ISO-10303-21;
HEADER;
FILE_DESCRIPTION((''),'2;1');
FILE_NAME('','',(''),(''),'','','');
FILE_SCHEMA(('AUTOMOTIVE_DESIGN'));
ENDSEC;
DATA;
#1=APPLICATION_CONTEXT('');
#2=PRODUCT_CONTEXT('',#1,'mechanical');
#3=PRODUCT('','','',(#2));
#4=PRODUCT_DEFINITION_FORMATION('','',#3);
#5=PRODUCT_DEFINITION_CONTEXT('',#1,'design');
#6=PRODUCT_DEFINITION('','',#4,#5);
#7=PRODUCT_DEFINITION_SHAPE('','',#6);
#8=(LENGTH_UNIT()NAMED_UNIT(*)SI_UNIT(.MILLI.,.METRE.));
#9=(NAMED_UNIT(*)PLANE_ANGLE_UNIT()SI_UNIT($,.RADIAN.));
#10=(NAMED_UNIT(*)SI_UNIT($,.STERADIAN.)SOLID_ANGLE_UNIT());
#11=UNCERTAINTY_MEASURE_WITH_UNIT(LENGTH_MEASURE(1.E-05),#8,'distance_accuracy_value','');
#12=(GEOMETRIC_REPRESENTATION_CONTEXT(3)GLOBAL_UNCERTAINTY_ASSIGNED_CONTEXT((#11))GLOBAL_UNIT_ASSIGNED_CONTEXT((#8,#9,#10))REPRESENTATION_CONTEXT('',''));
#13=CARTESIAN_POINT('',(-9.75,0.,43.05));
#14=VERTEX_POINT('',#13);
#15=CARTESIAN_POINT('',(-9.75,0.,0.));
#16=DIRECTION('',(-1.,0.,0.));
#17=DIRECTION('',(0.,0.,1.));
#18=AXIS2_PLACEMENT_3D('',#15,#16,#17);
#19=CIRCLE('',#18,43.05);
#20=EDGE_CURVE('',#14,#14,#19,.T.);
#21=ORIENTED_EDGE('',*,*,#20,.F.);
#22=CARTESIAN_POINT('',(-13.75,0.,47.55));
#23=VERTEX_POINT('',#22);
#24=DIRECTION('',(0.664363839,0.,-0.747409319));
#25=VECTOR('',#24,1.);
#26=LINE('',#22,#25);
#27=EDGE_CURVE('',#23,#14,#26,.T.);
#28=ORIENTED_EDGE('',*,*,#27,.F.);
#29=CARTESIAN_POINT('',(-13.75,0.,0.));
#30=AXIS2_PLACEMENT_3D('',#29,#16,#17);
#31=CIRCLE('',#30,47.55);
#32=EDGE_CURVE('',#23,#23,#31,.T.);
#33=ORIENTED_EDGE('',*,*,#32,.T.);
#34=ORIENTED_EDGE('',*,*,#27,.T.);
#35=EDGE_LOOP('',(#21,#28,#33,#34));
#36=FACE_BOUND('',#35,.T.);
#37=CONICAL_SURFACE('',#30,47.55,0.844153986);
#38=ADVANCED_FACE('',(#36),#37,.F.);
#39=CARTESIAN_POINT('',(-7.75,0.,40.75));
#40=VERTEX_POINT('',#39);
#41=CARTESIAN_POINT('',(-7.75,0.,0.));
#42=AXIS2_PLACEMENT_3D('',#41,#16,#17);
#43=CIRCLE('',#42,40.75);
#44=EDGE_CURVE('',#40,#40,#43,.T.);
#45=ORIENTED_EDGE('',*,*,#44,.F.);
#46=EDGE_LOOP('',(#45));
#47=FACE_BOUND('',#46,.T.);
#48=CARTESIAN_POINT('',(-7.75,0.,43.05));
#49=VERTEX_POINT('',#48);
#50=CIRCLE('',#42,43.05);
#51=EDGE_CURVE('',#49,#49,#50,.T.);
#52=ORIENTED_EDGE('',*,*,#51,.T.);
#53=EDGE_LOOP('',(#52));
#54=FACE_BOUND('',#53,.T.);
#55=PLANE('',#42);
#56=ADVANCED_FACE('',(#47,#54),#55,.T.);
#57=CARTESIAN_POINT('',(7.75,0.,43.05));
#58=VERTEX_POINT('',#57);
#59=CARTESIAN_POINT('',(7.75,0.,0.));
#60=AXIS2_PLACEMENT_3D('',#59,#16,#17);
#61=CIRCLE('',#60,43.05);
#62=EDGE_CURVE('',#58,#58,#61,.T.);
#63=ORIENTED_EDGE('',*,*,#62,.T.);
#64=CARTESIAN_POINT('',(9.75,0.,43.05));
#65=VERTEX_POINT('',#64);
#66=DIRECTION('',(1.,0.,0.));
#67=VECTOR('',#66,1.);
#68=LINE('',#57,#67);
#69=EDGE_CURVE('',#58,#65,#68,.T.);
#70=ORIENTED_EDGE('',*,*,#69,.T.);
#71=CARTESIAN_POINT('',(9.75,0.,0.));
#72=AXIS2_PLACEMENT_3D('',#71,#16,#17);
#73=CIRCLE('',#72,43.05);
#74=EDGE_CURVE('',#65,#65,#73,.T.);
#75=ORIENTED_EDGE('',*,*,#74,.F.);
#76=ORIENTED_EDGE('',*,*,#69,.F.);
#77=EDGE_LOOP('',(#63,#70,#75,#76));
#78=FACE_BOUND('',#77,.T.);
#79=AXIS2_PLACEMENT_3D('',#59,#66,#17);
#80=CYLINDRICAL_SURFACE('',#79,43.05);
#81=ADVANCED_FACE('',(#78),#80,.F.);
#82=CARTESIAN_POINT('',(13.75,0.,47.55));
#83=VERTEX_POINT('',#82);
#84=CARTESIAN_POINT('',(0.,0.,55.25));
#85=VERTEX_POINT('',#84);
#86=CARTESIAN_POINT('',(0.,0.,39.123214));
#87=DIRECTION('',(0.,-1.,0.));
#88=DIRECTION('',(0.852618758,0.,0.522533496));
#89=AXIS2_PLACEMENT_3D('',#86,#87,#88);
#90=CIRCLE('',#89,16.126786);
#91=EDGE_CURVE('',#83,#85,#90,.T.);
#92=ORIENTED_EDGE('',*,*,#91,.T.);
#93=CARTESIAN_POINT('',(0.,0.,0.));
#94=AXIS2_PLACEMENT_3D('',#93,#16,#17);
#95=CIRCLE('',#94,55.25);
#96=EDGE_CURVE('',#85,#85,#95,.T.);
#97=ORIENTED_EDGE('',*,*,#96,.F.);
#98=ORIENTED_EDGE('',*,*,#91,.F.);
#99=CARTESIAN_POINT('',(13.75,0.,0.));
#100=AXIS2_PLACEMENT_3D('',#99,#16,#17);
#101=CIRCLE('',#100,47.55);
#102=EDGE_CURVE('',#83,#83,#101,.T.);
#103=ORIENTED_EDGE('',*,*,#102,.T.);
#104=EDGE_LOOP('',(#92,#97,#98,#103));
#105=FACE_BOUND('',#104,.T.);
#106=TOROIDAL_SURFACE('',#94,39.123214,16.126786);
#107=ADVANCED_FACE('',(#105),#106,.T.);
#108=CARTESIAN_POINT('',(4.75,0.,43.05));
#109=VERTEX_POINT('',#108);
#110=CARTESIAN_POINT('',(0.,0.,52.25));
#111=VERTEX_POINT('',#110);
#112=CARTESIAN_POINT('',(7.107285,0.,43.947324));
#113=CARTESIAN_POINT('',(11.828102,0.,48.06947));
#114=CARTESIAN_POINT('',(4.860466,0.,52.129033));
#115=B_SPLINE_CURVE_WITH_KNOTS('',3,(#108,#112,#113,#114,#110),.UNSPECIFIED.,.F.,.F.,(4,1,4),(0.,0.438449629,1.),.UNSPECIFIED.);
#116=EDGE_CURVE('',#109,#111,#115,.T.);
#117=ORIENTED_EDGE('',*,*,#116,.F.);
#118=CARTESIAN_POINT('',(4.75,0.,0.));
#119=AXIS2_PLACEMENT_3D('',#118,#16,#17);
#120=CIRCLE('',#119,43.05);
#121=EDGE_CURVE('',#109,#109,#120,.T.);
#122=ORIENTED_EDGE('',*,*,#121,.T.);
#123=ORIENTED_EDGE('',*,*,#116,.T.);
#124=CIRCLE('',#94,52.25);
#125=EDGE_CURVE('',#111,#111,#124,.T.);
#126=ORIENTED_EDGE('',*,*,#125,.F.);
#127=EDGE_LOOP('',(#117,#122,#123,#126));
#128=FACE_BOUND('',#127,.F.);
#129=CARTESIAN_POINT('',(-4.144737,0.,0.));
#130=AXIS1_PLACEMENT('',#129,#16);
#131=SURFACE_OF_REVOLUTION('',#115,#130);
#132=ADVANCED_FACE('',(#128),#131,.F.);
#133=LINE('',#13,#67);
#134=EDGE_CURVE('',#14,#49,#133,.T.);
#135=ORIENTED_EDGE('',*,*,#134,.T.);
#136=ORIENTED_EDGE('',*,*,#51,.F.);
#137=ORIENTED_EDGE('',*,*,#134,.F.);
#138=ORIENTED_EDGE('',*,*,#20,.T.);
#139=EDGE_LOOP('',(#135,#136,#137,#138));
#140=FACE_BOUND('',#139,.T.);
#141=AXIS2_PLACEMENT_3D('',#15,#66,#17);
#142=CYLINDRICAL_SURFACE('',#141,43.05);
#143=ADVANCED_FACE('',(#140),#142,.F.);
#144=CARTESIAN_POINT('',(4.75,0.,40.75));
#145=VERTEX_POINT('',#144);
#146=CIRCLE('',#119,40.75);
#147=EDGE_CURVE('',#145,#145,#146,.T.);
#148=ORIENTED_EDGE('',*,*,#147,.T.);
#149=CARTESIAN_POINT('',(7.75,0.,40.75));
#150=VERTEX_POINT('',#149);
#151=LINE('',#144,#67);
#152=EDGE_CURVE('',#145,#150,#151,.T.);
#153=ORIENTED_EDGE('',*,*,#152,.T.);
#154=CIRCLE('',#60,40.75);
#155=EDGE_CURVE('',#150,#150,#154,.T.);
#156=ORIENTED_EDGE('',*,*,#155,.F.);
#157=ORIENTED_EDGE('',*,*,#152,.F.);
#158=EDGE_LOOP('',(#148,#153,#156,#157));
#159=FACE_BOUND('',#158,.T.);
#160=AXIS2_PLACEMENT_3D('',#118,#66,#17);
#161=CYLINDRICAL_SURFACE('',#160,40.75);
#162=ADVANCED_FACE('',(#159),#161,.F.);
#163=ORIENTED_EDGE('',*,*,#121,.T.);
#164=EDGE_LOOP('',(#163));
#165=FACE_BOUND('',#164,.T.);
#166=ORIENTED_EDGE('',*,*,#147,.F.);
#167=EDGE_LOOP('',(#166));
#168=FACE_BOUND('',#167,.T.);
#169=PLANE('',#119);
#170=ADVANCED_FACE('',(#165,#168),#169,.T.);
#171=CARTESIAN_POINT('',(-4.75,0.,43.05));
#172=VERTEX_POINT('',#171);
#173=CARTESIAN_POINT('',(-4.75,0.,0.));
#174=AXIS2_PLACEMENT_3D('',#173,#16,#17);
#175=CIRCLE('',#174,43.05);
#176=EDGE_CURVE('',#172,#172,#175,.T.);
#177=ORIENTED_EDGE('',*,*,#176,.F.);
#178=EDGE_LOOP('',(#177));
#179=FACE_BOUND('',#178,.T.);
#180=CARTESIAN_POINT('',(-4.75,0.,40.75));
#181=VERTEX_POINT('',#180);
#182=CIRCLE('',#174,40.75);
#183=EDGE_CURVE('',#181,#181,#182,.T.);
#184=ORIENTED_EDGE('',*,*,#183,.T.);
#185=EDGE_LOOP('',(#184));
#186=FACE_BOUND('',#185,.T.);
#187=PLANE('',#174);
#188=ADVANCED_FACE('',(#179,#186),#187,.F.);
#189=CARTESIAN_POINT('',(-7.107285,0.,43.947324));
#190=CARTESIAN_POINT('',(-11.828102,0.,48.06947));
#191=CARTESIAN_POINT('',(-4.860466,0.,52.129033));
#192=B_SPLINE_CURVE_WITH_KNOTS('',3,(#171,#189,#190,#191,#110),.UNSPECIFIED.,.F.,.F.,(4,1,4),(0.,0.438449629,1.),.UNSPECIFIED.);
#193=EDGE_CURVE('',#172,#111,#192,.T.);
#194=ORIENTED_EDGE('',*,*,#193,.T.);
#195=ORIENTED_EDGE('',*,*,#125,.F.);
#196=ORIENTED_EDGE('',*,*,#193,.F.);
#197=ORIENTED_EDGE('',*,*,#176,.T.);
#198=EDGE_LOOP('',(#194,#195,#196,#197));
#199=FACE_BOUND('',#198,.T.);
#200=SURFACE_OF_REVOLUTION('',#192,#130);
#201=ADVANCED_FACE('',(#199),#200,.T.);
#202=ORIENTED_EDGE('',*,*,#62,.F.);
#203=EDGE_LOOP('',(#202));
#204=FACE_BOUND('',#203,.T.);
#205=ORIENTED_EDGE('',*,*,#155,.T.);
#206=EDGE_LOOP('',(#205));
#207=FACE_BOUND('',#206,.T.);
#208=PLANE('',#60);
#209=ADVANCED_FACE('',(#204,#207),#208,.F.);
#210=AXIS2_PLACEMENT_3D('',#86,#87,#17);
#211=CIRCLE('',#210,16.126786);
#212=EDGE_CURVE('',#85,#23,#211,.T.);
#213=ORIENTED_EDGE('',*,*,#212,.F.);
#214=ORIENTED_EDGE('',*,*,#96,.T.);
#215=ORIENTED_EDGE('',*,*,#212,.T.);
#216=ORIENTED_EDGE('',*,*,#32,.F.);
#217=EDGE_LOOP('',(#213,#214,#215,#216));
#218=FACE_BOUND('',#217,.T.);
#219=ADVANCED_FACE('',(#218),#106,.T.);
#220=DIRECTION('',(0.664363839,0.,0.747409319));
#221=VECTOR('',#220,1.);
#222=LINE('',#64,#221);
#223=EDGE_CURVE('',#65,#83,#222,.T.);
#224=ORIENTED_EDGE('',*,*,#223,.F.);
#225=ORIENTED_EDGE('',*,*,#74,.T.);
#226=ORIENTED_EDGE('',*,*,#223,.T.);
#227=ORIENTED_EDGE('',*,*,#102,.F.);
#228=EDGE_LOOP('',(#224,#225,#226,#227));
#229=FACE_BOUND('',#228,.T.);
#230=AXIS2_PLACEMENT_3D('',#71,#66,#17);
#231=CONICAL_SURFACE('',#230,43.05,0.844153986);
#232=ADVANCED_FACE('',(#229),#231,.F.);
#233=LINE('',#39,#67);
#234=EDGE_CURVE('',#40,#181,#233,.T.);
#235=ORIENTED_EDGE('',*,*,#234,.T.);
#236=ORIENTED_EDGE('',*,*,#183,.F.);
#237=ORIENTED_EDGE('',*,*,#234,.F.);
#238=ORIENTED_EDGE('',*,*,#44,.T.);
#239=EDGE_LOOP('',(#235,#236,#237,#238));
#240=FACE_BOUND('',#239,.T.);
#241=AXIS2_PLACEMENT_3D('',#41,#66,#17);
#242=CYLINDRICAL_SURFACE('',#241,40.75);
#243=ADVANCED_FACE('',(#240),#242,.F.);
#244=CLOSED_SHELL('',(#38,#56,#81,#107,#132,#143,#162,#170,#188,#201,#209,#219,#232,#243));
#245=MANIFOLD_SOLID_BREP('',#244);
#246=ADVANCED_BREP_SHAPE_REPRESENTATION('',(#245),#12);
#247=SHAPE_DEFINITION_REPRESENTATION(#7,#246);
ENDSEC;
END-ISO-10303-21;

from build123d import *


with BuildPart() as f1:
    # F0 (on Front) → F1 (revolve)
    with BuildSketch(Plane.XZ):
        with BuildLine():
            Line((-7.75, 43.05), (-7.75, 40.75))
            Line((-7.75, 40.75), (-4.75, 40.75))
            Line((-4.75, 40.75), (-4.75, 43.05))
            add(Edge.make_bspline(
                [(-4.75, 43.05), (-7.1072850346, 43.9473241824), (-11.8281015455, 48.0694698568), (-4.8604660942, 52.1290334238), (0, 52.25)],
                knots=[0, 0, 0, 0, 0.4384496288, 1, 1, 1, 1], degree=3))
            add(Edge.make_bspline(
                [(4.75, 43.05), (7.1072850346, 43.9473241824), (11.8281015455, 48.0694698568), (4.8604660942, 52.1290334238), (0, 52.25)],
                knots=[0, 0, 0, 0, 0.4384496288, 1, 1, 1, 1], degree=3))
            Line((4.75, 43.05), (4.75, 40.75))
            Line((4.75, 40.75), (7.75, 40.75))
            Line((7.75, 40.75), (7.75, 43.05))
            Line((7.75, 43.05), (9.75, 43.05))
            Line((9.75, 43.05), (13.75, 47.55))
            ThreePointArc((13.75, 47.55), (7.87960183, 53.1939318394), (0, 55.25))
            ThreePointArc((0, 55.25), (-7.87960183, 53.1939318394), (-13.75, 47.55))
            Line((-13.75, 47.55), (-9.75, 43.05))
            Line((-9.75, 43.05), (-7.75, 43.05))
        make_face()
    revolve(axis=Axis((-4.144737497, 0, 0), (-1, 0, 0)))


solid = f1.part
